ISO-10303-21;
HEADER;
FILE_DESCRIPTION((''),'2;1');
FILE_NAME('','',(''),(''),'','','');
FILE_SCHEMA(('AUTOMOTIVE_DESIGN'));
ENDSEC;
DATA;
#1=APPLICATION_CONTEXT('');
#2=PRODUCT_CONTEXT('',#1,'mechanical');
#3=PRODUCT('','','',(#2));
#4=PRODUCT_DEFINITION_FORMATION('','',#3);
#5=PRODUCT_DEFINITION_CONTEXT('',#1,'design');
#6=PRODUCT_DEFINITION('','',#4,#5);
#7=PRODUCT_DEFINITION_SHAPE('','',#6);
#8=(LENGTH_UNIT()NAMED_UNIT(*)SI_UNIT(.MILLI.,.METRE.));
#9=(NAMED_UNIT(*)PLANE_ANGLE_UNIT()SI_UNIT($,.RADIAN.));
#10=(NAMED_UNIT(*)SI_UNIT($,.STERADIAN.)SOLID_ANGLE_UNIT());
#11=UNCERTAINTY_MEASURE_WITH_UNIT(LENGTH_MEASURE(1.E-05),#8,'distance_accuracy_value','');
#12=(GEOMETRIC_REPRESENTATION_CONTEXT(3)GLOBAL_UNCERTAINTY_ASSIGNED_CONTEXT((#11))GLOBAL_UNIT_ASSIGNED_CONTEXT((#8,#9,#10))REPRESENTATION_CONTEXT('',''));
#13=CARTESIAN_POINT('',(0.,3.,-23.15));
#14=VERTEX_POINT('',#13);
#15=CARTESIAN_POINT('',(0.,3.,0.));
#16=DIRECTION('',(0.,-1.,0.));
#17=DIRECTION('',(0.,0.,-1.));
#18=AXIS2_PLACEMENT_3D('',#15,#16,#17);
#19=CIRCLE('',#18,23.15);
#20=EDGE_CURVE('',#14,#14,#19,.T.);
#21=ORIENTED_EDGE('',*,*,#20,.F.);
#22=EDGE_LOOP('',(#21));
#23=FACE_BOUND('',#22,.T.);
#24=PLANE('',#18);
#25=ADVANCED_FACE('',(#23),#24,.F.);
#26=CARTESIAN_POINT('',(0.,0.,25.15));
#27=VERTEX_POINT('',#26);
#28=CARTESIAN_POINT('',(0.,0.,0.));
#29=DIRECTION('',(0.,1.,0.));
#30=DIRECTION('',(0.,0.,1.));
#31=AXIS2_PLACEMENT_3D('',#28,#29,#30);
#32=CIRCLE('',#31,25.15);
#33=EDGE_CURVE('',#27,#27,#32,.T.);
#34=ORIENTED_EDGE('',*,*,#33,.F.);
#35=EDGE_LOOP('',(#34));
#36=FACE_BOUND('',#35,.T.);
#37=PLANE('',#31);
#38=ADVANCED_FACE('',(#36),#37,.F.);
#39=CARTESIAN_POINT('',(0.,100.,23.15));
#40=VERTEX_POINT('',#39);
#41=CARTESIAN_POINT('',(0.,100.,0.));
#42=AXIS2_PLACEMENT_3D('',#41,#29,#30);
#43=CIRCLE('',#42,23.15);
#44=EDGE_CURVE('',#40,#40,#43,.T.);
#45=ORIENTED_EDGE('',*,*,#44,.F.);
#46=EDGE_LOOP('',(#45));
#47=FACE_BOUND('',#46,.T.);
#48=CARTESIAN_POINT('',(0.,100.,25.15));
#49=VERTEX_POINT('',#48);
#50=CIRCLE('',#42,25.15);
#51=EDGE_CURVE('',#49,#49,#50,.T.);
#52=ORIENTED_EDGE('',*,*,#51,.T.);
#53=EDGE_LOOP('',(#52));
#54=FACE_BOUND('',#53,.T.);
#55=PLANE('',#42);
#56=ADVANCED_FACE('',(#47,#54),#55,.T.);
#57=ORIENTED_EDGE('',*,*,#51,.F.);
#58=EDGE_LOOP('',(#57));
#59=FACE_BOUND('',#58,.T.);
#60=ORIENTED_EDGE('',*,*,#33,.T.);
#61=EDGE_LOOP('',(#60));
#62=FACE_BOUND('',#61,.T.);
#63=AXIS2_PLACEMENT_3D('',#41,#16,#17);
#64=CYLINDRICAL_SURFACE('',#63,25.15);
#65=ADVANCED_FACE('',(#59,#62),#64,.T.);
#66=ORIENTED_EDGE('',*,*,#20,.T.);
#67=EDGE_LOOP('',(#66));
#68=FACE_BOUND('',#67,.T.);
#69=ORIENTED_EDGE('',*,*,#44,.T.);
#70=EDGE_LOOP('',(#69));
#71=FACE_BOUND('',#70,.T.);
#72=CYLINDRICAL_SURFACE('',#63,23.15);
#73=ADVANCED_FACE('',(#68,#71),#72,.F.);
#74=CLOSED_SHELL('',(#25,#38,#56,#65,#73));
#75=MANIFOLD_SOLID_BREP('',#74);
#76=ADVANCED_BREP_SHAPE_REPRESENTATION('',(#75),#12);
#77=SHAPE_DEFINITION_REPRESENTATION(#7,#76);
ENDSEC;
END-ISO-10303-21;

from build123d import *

# Parameters (mm, degrees)
SKETCH1_R           = 25.15
SKETCH1_R_2         = 23.15
BOSS_EXTRUDE1_DEPTH = 100
SKETCH2_R           = 25.15
BOSS_EXTRUDE2_DEPTH = 3


with BuildPart() as part:
    # Sketch1 → Boss-Extrude1 (new body)
    with BuildSketch(Plane(origin=(0, 0, 0), x_dir=(1, 0, 0), z_dir=(0, 1, 0))):
        Circle(SKETCH1_R)
        Circle(SKETCH1_R_2, mode=Mode.SUBTRACT)
    extrude(amount=BOSS_EXTRUDE1_DEPTH)

    # Sketch2 → Boss-Extrude2 (add)
    with BuildSketch(Plane.XZ):
        Circle(SKETCH2_R)
    extrude(amount=-BOSS_EXTRUDE2_DEPTH)


solid = part.part
